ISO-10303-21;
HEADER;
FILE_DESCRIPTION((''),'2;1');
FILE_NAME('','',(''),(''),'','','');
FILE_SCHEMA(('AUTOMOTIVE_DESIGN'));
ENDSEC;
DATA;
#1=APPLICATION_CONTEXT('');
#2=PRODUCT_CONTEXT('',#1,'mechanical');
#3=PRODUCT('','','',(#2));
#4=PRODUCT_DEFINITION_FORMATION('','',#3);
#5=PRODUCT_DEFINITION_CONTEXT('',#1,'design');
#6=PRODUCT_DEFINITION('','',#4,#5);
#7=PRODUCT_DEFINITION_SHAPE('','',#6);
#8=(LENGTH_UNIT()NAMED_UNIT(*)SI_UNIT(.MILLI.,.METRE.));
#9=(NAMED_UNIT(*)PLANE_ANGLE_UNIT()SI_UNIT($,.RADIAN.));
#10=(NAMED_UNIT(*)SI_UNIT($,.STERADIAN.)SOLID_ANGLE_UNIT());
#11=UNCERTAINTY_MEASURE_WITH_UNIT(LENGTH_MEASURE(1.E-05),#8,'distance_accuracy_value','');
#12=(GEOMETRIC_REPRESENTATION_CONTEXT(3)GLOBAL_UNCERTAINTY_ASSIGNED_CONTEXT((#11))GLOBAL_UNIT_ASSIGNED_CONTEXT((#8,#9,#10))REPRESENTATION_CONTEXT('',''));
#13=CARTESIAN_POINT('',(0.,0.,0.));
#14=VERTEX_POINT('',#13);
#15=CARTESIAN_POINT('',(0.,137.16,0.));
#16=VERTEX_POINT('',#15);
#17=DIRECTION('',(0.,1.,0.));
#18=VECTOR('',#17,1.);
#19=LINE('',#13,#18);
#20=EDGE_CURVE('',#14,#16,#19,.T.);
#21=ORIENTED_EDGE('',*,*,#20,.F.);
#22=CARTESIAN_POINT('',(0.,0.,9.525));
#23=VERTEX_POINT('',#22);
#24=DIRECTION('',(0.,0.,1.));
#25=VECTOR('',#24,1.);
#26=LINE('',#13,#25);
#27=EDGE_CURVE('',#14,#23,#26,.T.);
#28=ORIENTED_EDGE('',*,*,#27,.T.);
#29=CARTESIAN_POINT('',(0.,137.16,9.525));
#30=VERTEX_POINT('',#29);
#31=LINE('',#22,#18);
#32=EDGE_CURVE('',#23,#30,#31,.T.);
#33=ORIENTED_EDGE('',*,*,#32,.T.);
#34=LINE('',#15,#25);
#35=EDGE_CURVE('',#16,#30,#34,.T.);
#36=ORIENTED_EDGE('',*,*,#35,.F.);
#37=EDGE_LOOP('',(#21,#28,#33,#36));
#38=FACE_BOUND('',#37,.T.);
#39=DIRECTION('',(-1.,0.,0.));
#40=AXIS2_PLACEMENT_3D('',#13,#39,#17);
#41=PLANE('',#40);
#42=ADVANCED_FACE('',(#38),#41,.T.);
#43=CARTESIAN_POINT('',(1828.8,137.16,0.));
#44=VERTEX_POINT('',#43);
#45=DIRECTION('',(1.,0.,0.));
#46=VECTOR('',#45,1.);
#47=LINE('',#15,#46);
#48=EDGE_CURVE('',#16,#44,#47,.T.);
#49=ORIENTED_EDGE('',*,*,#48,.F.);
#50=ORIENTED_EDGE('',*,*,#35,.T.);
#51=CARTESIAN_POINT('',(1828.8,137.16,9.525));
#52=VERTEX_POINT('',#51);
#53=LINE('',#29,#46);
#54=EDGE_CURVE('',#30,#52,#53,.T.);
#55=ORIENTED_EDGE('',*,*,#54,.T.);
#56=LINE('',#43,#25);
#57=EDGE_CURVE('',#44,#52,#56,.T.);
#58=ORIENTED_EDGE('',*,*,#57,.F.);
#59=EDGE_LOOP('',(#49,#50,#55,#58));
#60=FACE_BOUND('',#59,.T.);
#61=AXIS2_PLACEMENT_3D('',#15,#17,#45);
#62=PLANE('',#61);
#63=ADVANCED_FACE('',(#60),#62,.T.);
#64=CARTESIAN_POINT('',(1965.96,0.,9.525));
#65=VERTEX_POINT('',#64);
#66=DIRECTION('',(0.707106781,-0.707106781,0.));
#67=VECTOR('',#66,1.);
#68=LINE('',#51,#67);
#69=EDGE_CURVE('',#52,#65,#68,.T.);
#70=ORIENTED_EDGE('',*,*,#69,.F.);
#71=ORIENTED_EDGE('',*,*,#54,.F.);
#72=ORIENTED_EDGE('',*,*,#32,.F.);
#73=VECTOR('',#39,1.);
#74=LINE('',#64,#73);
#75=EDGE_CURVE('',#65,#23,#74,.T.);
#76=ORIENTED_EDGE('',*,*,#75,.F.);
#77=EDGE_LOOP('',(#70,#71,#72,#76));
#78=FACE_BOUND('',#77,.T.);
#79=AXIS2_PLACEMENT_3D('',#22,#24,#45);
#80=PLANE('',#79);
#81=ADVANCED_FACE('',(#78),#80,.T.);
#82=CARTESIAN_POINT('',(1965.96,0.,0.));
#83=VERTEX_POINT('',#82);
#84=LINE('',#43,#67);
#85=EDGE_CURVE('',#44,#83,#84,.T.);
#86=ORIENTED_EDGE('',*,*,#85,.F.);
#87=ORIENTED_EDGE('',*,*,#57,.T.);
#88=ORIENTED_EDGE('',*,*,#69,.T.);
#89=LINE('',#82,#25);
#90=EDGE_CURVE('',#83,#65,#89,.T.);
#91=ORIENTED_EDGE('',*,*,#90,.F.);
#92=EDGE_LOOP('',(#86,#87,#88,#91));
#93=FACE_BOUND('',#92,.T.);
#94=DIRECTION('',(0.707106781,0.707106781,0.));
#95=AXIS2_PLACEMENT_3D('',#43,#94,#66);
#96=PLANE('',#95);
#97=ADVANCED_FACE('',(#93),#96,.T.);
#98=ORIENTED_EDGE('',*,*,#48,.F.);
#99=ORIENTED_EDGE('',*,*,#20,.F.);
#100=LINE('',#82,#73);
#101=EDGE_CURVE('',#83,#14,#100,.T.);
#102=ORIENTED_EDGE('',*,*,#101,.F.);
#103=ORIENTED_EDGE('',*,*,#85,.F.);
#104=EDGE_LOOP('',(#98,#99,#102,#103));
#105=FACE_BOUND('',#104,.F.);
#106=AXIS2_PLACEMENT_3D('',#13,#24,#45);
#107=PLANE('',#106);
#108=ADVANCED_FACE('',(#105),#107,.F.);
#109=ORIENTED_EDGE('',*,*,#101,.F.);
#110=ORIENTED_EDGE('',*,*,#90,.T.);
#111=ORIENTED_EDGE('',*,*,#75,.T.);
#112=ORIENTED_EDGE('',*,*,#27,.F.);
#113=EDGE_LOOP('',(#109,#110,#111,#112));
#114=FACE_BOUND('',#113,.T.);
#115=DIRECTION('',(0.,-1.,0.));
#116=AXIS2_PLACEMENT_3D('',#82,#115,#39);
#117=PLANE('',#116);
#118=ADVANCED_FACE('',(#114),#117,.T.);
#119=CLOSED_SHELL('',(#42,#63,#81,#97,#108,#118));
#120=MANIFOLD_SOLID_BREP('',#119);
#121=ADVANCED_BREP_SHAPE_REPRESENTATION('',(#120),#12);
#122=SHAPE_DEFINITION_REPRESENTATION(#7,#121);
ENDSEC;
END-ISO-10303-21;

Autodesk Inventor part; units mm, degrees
ref_plane "YZ Plane" through (0, 0, 0) normal (1, 0, 0) x (0, 1, 0)
ref_plane "XZ Plane" through (0, 0, 0) normal (0, 1, 0) x (-1, 0, 0)
ref_plane "XY Plane" through (0, 0, 0) normal (0, 0, 1) x (1, 0, 0)
sketch "Sketch1" plane through (0, 0, 0) normal (0, 0, 1) x (1, 0, 0)
  line L0 (0, 0) -> (0, 137.16)
  line L1 (0, 137.16) -> (1828.8, 137.16)
  line L2 (1828.8, 137.16) -> (1965.96, 0)
  line L3 (1965.96, 0) -> (0, 0)
  dimension "d0" = 1828.8
  dimension "d1" = 137.16
  dimension "d2" = 137.16
extrude "Extrusion1" add sketch "Sketch1" along normal blind 9.525
properties part number "trapezoid plywood ramp 375" material "Wood (Oak)"
